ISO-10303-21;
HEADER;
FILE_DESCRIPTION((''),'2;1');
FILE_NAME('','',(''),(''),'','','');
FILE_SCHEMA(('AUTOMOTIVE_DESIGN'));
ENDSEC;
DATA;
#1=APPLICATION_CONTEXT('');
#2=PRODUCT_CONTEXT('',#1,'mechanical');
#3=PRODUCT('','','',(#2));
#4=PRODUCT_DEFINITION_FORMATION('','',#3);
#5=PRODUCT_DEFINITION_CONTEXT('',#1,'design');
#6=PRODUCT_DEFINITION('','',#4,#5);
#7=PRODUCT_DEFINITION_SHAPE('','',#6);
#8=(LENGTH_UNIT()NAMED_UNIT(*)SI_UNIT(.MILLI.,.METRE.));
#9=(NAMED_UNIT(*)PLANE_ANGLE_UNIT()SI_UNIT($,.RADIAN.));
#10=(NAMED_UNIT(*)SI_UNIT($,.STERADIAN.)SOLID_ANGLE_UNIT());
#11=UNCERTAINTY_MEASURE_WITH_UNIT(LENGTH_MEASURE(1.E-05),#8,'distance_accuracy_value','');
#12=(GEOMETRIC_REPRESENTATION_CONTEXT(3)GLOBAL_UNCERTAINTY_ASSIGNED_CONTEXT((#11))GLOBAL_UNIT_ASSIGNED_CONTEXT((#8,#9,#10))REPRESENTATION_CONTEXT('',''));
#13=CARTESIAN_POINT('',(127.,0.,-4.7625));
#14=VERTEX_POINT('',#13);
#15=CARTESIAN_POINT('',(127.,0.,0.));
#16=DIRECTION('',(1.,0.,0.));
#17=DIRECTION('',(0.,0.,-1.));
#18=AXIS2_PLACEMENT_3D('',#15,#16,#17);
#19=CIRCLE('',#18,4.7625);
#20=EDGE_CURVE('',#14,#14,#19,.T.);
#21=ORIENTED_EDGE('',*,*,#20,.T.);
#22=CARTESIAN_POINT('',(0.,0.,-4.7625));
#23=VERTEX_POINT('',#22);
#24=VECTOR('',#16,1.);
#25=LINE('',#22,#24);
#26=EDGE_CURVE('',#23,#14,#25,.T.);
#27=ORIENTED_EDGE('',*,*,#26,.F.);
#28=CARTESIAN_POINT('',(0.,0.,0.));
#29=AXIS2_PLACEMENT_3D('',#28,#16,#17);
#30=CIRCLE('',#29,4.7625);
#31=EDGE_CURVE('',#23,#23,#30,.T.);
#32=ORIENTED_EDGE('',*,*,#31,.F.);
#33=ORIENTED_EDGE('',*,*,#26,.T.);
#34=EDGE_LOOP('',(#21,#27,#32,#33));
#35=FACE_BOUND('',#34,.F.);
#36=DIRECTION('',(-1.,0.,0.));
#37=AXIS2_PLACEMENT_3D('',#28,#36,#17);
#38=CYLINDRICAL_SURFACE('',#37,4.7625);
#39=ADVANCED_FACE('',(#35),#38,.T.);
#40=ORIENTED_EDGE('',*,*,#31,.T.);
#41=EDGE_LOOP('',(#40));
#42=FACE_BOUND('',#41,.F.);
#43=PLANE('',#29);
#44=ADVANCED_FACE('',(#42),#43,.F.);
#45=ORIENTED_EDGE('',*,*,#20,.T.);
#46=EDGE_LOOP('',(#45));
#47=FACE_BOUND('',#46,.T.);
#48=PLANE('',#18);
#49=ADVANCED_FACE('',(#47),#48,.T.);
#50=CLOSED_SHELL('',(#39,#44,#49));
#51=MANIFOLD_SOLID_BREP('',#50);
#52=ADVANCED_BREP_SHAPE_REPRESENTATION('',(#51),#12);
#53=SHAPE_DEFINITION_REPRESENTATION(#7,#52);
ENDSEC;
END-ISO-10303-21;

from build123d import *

# Parameters (mm, degrees)
SKETCH1_R           = 4.7625
BOSS_EXTRUDE1_DEPTH = 127


with BuildPart() as part:
    # Sketch1 → Boss-Extrude1 (new body)
    with BuildSketch(Plane(origin=(0, 0, 0), x_dir=(0, 0, -1), z_dir=(1, 0, 0))):
        Circle(SKETCH1_R)
    extrude(amount=BOSS_EXTRUDE1_DEPTH)


solid = part.part
